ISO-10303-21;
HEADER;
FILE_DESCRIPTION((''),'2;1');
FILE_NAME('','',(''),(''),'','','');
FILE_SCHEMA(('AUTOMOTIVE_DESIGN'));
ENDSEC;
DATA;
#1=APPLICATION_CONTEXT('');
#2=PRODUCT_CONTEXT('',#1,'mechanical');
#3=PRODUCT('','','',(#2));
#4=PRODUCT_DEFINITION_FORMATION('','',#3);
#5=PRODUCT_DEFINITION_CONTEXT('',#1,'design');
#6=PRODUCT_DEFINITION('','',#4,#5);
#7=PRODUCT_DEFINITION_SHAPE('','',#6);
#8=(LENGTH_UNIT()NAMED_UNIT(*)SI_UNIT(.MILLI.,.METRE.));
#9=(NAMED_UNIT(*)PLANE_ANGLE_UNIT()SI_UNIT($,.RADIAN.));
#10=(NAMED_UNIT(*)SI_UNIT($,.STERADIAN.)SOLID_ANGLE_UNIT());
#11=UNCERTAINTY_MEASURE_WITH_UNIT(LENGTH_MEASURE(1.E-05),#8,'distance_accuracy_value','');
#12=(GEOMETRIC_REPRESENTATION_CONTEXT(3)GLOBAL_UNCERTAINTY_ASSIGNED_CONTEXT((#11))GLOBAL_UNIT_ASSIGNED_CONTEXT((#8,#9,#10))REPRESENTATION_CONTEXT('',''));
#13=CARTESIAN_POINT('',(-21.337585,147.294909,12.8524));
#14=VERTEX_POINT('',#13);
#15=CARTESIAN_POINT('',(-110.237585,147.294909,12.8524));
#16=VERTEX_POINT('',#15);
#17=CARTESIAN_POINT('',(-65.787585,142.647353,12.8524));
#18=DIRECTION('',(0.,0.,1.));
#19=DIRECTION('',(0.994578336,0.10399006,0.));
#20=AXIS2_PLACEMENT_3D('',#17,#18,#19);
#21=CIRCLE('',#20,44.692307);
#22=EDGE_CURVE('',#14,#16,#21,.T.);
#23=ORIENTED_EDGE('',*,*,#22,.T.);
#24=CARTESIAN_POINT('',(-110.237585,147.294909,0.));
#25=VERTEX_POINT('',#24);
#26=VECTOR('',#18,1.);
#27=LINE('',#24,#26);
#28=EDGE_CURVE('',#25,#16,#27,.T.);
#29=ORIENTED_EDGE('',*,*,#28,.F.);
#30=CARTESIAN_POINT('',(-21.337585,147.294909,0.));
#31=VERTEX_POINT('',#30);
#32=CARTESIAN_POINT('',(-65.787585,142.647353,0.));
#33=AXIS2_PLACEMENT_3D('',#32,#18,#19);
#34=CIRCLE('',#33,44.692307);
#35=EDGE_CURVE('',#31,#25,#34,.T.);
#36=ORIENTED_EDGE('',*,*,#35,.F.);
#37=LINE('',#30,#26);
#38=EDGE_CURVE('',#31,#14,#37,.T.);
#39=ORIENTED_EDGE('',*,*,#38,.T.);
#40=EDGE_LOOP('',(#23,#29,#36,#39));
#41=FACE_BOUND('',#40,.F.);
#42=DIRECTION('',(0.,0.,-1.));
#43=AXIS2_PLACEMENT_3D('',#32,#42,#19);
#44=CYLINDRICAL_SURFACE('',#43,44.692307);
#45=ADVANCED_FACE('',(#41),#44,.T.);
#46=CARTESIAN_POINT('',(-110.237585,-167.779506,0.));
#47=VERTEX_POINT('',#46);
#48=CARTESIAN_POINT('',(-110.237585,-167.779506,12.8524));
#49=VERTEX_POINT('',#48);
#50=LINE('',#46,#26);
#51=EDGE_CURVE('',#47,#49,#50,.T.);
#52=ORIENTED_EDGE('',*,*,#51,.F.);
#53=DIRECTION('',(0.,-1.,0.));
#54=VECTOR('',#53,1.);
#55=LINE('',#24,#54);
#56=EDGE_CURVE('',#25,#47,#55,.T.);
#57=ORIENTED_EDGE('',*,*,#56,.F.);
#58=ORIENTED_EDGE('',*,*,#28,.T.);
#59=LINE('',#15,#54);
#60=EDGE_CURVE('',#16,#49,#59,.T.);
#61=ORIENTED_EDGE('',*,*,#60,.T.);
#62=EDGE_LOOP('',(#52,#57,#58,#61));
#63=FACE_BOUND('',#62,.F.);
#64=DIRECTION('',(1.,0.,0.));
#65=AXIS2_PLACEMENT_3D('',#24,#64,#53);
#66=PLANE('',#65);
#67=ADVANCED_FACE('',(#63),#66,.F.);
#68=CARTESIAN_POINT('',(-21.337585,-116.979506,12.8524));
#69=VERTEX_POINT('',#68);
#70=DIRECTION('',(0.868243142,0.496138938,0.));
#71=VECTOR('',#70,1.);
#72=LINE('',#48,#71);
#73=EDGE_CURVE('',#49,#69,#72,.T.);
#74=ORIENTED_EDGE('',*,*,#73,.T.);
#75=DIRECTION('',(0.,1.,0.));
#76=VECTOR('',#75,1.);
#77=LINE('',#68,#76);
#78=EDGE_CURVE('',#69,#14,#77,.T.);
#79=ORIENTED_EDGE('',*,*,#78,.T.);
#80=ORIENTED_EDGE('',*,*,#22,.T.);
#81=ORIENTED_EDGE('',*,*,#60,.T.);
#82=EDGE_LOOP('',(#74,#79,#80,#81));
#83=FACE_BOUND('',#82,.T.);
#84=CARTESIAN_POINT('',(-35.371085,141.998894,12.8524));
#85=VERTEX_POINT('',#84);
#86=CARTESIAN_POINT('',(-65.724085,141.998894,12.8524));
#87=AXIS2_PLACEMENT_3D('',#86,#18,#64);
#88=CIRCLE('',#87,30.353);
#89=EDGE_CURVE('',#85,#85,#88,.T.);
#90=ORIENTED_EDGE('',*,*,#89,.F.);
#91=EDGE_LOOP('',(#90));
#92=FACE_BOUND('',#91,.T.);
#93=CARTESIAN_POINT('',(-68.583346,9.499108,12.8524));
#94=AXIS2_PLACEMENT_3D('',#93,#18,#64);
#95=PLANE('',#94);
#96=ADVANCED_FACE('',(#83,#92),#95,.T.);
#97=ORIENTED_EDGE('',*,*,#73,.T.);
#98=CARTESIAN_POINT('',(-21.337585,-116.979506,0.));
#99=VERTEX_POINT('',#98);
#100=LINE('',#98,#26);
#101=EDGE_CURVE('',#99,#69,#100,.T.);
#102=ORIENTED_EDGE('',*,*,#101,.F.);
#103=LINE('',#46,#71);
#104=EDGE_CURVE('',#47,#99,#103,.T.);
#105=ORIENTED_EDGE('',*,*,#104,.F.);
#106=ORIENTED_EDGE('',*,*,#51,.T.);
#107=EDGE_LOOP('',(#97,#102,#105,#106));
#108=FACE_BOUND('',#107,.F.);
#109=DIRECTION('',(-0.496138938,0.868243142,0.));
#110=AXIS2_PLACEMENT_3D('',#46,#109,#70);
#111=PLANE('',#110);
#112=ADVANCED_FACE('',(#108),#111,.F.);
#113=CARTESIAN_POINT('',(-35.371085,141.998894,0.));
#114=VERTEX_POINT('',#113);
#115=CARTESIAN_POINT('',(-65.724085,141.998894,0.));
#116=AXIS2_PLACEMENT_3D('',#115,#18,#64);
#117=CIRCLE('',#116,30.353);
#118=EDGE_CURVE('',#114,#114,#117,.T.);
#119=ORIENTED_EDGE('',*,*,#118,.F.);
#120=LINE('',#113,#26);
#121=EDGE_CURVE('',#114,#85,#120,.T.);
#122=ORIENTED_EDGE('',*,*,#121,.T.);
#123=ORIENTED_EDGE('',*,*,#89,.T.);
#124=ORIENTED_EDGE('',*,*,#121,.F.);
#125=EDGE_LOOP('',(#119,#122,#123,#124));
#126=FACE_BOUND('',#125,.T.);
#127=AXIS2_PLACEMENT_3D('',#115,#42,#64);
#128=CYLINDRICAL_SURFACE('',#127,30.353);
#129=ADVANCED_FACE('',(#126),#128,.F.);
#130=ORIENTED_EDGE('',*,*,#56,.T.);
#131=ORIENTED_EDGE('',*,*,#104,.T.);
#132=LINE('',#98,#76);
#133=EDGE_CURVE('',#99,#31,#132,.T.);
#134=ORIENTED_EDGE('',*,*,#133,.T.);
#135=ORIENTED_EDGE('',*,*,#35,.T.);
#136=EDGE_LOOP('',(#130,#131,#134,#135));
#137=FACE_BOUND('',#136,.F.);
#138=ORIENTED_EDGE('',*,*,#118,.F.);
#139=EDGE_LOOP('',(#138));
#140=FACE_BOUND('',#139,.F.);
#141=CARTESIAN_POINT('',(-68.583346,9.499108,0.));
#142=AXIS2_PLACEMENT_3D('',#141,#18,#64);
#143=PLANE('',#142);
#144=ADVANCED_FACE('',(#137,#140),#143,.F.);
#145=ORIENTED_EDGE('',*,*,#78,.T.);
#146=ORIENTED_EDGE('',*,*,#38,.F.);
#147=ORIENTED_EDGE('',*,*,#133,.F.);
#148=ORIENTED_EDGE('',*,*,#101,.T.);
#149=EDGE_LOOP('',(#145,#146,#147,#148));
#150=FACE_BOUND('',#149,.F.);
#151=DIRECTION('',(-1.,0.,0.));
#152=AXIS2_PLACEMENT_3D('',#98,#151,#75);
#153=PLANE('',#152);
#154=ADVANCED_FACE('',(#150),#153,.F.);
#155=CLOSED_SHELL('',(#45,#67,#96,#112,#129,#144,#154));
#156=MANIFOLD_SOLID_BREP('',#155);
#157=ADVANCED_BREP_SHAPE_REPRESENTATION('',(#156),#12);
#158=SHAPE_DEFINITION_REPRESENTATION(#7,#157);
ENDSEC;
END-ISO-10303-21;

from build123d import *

# Parameters (mm, degrees)
F4_R     = 30.353
F5_DEPTH = 12.8524


with BuildPart() as f5:
    # F4 (on face) → F5 (new body)
    with BuildSketch(Plane.XY):
        with BuildLine():
            Line((-21.337585, -116.979506), (-21.337585, 147.294909))
            ThreePointArc((-21.337585, 147.294909), (-65.787585, 187.33966), (-110.237585, 147.294909))
            Line((-110.237585, 147.294909), (-110.237585, -167.779506))
            Line((-110.237585, -167.779506), (-21.337585, -116.979506))
        make_face()
        with Locations((-65.724085, 141.998894)):
            Circle(F4_R, mode=Mode.SUBTRACT)
    extrude(amount=F5_DEPTH)


solid = f5.part
